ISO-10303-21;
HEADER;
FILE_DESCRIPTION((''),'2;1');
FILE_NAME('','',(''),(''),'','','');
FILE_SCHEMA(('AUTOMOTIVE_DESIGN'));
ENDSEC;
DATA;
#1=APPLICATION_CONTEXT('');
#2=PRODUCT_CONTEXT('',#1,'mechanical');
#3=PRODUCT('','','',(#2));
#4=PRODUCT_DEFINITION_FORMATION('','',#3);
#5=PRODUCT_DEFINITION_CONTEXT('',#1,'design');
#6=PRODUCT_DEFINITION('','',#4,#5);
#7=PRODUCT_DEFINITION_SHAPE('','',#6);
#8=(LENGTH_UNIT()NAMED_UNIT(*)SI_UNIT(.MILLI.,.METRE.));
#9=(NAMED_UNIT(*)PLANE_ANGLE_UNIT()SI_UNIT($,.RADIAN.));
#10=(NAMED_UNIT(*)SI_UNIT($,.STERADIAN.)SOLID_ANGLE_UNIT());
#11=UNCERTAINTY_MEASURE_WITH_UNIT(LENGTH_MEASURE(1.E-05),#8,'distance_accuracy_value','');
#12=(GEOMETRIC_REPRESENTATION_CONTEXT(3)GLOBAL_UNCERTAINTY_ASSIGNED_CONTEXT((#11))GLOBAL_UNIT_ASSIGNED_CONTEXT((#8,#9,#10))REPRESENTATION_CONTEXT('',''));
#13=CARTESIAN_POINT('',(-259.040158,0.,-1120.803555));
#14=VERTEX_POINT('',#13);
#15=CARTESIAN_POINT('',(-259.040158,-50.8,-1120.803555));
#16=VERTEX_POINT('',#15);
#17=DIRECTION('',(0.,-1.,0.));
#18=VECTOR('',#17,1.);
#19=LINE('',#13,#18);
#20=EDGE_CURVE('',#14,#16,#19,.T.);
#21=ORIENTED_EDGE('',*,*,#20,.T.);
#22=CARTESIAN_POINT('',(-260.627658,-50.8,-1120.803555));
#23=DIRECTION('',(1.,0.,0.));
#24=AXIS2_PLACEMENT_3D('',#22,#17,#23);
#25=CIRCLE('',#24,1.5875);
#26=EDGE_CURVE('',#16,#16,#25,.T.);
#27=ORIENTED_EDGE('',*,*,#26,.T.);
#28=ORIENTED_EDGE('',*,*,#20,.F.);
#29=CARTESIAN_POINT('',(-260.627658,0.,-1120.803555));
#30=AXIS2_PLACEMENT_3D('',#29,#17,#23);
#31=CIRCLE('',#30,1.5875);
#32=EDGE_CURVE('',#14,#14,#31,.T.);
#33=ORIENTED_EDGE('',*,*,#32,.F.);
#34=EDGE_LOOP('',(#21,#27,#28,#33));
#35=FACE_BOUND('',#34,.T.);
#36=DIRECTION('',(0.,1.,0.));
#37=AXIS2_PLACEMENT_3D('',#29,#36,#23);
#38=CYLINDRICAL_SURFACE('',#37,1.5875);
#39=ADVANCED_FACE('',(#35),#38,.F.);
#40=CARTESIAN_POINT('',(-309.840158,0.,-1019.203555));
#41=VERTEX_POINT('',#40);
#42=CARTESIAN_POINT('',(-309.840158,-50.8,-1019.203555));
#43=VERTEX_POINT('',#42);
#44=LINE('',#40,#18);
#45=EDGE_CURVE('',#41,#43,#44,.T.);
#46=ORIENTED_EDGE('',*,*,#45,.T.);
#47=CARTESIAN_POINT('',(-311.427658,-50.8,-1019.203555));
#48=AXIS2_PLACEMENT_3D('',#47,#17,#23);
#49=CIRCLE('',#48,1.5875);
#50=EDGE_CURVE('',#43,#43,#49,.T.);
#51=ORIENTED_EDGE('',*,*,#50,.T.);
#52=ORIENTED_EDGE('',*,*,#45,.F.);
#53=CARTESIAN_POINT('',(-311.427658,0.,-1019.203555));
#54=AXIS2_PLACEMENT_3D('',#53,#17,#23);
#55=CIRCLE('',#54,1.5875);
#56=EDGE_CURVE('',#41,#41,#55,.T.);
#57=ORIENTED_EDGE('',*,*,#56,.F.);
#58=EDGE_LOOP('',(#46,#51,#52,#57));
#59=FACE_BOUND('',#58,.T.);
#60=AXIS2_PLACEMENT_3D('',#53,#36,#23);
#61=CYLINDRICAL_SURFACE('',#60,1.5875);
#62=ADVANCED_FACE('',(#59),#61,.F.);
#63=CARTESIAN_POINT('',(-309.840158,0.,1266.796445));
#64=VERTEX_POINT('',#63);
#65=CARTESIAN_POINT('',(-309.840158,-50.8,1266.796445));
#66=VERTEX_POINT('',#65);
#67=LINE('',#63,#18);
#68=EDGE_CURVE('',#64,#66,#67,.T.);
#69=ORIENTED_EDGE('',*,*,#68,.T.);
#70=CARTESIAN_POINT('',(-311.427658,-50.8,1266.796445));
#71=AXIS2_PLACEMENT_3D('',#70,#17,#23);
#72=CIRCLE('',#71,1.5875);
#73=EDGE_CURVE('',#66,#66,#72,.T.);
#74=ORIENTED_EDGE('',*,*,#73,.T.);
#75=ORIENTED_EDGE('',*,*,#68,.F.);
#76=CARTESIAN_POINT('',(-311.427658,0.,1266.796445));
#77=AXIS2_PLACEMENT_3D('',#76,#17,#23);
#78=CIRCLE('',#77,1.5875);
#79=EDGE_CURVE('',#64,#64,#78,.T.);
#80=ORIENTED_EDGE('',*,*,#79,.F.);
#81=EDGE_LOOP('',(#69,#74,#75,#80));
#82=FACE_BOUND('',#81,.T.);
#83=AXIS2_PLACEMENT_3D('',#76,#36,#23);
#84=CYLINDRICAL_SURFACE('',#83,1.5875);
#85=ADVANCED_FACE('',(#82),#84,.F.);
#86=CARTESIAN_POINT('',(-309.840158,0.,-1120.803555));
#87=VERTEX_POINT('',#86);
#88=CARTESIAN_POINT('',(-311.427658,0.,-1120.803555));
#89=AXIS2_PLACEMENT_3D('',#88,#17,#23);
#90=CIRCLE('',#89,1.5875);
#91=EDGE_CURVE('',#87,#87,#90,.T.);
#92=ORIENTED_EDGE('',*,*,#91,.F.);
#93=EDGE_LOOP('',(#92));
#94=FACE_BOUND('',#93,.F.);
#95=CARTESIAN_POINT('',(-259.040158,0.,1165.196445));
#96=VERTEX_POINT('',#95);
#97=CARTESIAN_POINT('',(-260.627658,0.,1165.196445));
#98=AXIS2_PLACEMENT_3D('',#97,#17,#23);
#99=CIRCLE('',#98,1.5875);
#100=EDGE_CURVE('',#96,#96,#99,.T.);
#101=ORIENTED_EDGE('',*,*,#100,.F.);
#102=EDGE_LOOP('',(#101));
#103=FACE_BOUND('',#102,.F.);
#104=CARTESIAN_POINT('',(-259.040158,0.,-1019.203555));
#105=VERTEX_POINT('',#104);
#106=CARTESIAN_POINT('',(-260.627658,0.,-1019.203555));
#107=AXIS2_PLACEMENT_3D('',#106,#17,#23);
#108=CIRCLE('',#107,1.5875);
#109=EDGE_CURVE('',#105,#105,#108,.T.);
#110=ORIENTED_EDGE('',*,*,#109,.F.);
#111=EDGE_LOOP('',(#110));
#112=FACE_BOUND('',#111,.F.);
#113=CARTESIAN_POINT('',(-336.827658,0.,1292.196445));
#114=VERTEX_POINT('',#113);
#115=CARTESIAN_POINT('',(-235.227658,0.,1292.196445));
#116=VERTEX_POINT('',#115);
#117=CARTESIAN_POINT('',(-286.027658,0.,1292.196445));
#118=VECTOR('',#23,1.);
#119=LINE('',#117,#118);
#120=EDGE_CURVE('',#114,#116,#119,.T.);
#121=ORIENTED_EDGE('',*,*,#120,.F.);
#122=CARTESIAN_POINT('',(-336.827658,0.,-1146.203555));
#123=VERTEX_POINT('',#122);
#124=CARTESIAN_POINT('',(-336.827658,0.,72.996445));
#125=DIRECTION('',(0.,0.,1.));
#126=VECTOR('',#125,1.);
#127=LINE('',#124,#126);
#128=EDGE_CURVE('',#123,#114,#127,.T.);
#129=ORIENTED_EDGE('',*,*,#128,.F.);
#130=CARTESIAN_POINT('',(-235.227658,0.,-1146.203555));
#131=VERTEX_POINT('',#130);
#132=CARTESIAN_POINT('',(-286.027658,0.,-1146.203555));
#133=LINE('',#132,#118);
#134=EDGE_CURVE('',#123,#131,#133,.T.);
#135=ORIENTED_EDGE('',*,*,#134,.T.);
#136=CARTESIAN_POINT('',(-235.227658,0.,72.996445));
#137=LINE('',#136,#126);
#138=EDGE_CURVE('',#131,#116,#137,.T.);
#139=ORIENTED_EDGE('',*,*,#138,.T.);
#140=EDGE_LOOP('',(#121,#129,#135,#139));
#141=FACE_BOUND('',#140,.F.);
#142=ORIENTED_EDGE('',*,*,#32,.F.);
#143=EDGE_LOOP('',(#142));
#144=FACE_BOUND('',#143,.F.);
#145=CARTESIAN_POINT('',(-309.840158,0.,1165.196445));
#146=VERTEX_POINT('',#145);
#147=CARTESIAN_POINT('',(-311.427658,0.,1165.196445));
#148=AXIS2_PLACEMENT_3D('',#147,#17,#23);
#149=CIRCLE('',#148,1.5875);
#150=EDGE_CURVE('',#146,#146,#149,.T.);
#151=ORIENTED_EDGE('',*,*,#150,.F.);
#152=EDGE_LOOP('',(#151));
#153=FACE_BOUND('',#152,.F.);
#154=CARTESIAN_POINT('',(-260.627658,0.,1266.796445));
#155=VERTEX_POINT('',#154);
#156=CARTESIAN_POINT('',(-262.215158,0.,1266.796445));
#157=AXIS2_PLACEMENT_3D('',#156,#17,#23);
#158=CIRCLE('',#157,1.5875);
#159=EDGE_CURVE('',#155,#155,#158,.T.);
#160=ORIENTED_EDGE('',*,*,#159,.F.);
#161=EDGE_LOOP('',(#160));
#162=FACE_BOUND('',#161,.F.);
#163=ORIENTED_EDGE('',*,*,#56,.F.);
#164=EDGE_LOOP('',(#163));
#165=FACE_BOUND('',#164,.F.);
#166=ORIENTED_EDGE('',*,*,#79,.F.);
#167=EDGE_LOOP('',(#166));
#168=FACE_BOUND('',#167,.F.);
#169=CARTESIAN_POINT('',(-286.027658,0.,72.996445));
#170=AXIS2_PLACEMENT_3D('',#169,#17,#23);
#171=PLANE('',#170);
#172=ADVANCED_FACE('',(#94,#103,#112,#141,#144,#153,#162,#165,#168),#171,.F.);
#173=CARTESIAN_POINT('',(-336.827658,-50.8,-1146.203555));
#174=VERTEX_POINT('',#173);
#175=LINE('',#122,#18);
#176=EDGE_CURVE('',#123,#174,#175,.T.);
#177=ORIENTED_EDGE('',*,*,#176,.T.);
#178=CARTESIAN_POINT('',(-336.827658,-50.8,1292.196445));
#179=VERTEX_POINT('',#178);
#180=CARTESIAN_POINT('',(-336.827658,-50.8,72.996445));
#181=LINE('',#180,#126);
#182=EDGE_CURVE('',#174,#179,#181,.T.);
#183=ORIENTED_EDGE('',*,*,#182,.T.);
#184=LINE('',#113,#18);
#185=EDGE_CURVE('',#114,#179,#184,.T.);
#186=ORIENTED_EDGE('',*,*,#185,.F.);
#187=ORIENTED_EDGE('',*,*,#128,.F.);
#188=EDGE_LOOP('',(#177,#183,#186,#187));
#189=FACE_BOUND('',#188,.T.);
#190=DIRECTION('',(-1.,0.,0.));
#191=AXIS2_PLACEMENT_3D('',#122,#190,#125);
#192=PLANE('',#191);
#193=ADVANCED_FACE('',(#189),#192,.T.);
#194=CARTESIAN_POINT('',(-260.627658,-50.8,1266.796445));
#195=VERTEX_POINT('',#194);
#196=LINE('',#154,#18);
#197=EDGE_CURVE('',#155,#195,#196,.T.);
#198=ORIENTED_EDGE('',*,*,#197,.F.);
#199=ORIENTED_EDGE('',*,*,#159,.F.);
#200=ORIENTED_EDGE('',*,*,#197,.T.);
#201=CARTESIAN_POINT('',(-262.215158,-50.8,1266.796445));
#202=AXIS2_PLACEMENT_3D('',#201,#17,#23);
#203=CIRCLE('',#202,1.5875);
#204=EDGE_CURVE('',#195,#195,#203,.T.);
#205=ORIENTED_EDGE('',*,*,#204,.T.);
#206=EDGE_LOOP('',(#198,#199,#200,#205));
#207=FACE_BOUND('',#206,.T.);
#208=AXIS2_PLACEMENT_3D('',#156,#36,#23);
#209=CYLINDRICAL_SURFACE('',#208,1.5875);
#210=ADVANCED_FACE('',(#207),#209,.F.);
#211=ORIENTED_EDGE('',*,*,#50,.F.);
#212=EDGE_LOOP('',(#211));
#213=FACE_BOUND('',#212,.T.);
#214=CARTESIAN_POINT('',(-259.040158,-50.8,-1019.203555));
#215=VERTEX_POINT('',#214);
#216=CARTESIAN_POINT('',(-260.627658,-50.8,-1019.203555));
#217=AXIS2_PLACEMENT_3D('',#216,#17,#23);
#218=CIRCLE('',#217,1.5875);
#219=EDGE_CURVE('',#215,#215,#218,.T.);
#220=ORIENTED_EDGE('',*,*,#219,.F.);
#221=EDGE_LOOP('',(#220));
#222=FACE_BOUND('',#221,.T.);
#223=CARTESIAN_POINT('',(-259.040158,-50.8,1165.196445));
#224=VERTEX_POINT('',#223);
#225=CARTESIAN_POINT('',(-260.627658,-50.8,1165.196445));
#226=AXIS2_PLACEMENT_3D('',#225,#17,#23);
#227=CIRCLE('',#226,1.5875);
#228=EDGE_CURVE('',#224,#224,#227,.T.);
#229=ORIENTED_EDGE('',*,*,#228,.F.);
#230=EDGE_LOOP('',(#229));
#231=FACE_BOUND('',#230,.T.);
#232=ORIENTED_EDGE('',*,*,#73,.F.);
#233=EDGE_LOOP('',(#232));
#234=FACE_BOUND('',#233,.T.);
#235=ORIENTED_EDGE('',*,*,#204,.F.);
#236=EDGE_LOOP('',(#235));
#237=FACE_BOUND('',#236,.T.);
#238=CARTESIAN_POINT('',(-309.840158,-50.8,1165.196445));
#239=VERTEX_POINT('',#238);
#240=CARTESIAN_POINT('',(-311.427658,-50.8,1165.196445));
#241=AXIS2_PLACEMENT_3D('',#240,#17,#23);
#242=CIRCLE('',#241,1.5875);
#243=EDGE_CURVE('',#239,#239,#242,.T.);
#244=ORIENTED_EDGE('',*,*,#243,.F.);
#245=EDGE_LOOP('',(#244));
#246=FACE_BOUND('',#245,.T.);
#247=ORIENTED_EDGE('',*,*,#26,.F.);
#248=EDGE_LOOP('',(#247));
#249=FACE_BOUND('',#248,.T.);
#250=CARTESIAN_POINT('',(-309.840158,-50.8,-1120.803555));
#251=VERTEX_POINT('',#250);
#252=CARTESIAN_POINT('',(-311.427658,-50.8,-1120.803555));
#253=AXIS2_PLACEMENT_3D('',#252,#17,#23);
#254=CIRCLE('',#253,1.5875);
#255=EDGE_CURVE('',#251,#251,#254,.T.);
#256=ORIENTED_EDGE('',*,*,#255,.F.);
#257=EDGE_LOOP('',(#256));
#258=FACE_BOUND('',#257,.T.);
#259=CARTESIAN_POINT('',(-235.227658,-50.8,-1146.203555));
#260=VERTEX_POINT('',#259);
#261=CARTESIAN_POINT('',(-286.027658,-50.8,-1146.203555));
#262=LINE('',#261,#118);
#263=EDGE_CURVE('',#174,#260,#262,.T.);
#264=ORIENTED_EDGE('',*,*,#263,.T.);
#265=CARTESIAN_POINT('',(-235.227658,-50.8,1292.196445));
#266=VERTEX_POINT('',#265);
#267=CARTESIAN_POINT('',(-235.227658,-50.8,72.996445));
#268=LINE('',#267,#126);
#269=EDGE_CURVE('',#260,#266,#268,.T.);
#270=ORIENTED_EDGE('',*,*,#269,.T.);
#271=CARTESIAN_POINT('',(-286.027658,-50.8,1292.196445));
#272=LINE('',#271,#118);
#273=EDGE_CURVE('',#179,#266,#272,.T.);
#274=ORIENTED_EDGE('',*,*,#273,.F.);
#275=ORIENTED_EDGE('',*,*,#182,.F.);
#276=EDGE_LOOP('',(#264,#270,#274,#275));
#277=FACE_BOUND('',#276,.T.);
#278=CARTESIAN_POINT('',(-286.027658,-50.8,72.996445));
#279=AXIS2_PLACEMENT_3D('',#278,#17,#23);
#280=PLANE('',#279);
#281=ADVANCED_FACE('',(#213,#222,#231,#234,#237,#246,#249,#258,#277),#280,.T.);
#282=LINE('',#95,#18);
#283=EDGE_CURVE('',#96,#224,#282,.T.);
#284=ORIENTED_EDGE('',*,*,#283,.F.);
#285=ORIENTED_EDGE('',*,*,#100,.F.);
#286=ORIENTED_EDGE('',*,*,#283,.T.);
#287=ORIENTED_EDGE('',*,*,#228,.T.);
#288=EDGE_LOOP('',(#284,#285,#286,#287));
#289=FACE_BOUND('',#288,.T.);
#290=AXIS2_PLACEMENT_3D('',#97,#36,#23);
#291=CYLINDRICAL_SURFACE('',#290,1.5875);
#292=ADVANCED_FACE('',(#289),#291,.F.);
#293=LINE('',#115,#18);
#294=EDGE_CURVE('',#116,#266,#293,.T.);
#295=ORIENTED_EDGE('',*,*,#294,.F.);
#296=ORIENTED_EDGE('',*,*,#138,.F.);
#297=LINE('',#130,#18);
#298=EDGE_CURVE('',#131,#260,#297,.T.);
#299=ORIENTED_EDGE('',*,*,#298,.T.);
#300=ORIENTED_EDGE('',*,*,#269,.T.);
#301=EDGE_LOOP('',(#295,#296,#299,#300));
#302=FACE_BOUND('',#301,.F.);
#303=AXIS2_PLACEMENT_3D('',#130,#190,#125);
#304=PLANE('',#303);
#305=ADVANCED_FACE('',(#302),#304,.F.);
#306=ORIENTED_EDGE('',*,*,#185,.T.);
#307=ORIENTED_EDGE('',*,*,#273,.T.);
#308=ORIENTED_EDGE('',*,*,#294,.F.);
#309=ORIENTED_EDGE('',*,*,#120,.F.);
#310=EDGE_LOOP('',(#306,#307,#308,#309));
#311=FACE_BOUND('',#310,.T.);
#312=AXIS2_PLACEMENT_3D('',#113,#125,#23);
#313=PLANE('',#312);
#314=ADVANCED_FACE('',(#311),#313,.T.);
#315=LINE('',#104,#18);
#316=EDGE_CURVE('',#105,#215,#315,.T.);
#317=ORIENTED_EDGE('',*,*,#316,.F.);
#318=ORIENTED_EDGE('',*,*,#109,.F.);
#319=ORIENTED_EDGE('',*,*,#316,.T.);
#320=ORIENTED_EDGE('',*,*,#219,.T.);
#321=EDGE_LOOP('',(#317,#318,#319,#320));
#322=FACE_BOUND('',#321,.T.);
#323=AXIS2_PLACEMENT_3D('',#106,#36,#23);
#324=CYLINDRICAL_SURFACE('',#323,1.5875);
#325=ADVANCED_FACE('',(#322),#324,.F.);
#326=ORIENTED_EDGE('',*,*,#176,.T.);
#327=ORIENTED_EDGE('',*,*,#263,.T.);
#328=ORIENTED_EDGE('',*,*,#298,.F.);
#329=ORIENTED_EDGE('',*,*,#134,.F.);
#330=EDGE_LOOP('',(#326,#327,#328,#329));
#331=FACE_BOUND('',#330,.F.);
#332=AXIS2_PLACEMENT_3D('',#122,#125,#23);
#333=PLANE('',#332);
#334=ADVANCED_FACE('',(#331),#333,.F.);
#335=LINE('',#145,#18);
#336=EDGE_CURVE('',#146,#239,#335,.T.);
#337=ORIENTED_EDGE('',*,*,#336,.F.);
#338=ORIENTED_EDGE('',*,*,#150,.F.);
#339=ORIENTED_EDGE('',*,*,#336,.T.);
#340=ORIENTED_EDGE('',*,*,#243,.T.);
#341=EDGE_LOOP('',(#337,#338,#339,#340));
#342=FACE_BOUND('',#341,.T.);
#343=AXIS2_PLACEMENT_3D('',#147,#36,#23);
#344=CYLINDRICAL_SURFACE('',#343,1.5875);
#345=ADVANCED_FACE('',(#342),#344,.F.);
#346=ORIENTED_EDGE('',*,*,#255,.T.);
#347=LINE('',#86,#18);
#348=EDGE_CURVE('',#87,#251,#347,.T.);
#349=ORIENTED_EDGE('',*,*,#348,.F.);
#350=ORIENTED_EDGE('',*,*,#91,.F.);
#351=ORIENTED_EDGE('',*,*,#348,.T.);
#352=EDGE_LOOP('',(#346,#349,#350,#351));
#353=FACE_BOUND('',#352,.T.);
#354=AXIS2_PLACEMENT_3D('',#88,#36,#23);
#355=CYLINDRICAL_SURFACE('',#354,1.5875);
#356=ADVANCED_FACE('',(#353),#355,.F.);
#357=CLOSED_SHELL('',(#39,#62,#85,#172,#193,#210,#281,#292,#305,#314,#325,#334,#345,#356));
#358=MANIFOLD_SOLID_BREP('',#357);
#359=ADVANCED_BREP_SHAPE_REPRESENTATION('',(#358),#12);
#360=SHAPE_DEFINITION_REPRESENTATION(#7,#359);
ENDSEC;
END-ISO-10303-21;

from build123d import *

# Parameters (mm, degrees)
F0_W     = 101.6
F0_H     = 2438.4
F0_R     = 1.5875
F1_DEPTH = 50.8


with BuildPart() as f1:
    # F0 (on Front) → F1 (new body)
    with BuildSketch(Plane.XZ):
        with Locations((-286.027658, 72.996445)):
            Rectangle(F0_W, F0_H)
        with Locations((-311.427658, -1120.803555)):
            Circle(F0_R, mode=Mode.SUBTRACT)
        with Locations((-311.427658, -1019.203555)):
            Circle(F0_R, mode=Mode.SUBTRACT)
        with Locations((-260.627658, -1120.803555)):
            Circle(F0_R, mode=Mode.SUBTRACT)
        with Locations((-260.627658, -1019.203555)):
            Circle(F0_R, mode=Mode.SUBTRACT)
        with Locations((-311.427658, 1165.196445)):
            Circle(F0_R, mode=Mode.SUBTRACT)
        with Locations((-311.427658, 1266.796445)):
            Circle(F0_R, mode=Mode.SUBTRACT)
        with Locations((-260.627658, 1165.196445)):
            Circle(F0_R, mode=Mode.SUBTRACT)
        with Locations((-262.215158, 1266.796445)):
            Circle(F0_R, mode=Mode.SUBTRACT)
    extrude(amount=F1_DEPTH)


solid = f1.part
